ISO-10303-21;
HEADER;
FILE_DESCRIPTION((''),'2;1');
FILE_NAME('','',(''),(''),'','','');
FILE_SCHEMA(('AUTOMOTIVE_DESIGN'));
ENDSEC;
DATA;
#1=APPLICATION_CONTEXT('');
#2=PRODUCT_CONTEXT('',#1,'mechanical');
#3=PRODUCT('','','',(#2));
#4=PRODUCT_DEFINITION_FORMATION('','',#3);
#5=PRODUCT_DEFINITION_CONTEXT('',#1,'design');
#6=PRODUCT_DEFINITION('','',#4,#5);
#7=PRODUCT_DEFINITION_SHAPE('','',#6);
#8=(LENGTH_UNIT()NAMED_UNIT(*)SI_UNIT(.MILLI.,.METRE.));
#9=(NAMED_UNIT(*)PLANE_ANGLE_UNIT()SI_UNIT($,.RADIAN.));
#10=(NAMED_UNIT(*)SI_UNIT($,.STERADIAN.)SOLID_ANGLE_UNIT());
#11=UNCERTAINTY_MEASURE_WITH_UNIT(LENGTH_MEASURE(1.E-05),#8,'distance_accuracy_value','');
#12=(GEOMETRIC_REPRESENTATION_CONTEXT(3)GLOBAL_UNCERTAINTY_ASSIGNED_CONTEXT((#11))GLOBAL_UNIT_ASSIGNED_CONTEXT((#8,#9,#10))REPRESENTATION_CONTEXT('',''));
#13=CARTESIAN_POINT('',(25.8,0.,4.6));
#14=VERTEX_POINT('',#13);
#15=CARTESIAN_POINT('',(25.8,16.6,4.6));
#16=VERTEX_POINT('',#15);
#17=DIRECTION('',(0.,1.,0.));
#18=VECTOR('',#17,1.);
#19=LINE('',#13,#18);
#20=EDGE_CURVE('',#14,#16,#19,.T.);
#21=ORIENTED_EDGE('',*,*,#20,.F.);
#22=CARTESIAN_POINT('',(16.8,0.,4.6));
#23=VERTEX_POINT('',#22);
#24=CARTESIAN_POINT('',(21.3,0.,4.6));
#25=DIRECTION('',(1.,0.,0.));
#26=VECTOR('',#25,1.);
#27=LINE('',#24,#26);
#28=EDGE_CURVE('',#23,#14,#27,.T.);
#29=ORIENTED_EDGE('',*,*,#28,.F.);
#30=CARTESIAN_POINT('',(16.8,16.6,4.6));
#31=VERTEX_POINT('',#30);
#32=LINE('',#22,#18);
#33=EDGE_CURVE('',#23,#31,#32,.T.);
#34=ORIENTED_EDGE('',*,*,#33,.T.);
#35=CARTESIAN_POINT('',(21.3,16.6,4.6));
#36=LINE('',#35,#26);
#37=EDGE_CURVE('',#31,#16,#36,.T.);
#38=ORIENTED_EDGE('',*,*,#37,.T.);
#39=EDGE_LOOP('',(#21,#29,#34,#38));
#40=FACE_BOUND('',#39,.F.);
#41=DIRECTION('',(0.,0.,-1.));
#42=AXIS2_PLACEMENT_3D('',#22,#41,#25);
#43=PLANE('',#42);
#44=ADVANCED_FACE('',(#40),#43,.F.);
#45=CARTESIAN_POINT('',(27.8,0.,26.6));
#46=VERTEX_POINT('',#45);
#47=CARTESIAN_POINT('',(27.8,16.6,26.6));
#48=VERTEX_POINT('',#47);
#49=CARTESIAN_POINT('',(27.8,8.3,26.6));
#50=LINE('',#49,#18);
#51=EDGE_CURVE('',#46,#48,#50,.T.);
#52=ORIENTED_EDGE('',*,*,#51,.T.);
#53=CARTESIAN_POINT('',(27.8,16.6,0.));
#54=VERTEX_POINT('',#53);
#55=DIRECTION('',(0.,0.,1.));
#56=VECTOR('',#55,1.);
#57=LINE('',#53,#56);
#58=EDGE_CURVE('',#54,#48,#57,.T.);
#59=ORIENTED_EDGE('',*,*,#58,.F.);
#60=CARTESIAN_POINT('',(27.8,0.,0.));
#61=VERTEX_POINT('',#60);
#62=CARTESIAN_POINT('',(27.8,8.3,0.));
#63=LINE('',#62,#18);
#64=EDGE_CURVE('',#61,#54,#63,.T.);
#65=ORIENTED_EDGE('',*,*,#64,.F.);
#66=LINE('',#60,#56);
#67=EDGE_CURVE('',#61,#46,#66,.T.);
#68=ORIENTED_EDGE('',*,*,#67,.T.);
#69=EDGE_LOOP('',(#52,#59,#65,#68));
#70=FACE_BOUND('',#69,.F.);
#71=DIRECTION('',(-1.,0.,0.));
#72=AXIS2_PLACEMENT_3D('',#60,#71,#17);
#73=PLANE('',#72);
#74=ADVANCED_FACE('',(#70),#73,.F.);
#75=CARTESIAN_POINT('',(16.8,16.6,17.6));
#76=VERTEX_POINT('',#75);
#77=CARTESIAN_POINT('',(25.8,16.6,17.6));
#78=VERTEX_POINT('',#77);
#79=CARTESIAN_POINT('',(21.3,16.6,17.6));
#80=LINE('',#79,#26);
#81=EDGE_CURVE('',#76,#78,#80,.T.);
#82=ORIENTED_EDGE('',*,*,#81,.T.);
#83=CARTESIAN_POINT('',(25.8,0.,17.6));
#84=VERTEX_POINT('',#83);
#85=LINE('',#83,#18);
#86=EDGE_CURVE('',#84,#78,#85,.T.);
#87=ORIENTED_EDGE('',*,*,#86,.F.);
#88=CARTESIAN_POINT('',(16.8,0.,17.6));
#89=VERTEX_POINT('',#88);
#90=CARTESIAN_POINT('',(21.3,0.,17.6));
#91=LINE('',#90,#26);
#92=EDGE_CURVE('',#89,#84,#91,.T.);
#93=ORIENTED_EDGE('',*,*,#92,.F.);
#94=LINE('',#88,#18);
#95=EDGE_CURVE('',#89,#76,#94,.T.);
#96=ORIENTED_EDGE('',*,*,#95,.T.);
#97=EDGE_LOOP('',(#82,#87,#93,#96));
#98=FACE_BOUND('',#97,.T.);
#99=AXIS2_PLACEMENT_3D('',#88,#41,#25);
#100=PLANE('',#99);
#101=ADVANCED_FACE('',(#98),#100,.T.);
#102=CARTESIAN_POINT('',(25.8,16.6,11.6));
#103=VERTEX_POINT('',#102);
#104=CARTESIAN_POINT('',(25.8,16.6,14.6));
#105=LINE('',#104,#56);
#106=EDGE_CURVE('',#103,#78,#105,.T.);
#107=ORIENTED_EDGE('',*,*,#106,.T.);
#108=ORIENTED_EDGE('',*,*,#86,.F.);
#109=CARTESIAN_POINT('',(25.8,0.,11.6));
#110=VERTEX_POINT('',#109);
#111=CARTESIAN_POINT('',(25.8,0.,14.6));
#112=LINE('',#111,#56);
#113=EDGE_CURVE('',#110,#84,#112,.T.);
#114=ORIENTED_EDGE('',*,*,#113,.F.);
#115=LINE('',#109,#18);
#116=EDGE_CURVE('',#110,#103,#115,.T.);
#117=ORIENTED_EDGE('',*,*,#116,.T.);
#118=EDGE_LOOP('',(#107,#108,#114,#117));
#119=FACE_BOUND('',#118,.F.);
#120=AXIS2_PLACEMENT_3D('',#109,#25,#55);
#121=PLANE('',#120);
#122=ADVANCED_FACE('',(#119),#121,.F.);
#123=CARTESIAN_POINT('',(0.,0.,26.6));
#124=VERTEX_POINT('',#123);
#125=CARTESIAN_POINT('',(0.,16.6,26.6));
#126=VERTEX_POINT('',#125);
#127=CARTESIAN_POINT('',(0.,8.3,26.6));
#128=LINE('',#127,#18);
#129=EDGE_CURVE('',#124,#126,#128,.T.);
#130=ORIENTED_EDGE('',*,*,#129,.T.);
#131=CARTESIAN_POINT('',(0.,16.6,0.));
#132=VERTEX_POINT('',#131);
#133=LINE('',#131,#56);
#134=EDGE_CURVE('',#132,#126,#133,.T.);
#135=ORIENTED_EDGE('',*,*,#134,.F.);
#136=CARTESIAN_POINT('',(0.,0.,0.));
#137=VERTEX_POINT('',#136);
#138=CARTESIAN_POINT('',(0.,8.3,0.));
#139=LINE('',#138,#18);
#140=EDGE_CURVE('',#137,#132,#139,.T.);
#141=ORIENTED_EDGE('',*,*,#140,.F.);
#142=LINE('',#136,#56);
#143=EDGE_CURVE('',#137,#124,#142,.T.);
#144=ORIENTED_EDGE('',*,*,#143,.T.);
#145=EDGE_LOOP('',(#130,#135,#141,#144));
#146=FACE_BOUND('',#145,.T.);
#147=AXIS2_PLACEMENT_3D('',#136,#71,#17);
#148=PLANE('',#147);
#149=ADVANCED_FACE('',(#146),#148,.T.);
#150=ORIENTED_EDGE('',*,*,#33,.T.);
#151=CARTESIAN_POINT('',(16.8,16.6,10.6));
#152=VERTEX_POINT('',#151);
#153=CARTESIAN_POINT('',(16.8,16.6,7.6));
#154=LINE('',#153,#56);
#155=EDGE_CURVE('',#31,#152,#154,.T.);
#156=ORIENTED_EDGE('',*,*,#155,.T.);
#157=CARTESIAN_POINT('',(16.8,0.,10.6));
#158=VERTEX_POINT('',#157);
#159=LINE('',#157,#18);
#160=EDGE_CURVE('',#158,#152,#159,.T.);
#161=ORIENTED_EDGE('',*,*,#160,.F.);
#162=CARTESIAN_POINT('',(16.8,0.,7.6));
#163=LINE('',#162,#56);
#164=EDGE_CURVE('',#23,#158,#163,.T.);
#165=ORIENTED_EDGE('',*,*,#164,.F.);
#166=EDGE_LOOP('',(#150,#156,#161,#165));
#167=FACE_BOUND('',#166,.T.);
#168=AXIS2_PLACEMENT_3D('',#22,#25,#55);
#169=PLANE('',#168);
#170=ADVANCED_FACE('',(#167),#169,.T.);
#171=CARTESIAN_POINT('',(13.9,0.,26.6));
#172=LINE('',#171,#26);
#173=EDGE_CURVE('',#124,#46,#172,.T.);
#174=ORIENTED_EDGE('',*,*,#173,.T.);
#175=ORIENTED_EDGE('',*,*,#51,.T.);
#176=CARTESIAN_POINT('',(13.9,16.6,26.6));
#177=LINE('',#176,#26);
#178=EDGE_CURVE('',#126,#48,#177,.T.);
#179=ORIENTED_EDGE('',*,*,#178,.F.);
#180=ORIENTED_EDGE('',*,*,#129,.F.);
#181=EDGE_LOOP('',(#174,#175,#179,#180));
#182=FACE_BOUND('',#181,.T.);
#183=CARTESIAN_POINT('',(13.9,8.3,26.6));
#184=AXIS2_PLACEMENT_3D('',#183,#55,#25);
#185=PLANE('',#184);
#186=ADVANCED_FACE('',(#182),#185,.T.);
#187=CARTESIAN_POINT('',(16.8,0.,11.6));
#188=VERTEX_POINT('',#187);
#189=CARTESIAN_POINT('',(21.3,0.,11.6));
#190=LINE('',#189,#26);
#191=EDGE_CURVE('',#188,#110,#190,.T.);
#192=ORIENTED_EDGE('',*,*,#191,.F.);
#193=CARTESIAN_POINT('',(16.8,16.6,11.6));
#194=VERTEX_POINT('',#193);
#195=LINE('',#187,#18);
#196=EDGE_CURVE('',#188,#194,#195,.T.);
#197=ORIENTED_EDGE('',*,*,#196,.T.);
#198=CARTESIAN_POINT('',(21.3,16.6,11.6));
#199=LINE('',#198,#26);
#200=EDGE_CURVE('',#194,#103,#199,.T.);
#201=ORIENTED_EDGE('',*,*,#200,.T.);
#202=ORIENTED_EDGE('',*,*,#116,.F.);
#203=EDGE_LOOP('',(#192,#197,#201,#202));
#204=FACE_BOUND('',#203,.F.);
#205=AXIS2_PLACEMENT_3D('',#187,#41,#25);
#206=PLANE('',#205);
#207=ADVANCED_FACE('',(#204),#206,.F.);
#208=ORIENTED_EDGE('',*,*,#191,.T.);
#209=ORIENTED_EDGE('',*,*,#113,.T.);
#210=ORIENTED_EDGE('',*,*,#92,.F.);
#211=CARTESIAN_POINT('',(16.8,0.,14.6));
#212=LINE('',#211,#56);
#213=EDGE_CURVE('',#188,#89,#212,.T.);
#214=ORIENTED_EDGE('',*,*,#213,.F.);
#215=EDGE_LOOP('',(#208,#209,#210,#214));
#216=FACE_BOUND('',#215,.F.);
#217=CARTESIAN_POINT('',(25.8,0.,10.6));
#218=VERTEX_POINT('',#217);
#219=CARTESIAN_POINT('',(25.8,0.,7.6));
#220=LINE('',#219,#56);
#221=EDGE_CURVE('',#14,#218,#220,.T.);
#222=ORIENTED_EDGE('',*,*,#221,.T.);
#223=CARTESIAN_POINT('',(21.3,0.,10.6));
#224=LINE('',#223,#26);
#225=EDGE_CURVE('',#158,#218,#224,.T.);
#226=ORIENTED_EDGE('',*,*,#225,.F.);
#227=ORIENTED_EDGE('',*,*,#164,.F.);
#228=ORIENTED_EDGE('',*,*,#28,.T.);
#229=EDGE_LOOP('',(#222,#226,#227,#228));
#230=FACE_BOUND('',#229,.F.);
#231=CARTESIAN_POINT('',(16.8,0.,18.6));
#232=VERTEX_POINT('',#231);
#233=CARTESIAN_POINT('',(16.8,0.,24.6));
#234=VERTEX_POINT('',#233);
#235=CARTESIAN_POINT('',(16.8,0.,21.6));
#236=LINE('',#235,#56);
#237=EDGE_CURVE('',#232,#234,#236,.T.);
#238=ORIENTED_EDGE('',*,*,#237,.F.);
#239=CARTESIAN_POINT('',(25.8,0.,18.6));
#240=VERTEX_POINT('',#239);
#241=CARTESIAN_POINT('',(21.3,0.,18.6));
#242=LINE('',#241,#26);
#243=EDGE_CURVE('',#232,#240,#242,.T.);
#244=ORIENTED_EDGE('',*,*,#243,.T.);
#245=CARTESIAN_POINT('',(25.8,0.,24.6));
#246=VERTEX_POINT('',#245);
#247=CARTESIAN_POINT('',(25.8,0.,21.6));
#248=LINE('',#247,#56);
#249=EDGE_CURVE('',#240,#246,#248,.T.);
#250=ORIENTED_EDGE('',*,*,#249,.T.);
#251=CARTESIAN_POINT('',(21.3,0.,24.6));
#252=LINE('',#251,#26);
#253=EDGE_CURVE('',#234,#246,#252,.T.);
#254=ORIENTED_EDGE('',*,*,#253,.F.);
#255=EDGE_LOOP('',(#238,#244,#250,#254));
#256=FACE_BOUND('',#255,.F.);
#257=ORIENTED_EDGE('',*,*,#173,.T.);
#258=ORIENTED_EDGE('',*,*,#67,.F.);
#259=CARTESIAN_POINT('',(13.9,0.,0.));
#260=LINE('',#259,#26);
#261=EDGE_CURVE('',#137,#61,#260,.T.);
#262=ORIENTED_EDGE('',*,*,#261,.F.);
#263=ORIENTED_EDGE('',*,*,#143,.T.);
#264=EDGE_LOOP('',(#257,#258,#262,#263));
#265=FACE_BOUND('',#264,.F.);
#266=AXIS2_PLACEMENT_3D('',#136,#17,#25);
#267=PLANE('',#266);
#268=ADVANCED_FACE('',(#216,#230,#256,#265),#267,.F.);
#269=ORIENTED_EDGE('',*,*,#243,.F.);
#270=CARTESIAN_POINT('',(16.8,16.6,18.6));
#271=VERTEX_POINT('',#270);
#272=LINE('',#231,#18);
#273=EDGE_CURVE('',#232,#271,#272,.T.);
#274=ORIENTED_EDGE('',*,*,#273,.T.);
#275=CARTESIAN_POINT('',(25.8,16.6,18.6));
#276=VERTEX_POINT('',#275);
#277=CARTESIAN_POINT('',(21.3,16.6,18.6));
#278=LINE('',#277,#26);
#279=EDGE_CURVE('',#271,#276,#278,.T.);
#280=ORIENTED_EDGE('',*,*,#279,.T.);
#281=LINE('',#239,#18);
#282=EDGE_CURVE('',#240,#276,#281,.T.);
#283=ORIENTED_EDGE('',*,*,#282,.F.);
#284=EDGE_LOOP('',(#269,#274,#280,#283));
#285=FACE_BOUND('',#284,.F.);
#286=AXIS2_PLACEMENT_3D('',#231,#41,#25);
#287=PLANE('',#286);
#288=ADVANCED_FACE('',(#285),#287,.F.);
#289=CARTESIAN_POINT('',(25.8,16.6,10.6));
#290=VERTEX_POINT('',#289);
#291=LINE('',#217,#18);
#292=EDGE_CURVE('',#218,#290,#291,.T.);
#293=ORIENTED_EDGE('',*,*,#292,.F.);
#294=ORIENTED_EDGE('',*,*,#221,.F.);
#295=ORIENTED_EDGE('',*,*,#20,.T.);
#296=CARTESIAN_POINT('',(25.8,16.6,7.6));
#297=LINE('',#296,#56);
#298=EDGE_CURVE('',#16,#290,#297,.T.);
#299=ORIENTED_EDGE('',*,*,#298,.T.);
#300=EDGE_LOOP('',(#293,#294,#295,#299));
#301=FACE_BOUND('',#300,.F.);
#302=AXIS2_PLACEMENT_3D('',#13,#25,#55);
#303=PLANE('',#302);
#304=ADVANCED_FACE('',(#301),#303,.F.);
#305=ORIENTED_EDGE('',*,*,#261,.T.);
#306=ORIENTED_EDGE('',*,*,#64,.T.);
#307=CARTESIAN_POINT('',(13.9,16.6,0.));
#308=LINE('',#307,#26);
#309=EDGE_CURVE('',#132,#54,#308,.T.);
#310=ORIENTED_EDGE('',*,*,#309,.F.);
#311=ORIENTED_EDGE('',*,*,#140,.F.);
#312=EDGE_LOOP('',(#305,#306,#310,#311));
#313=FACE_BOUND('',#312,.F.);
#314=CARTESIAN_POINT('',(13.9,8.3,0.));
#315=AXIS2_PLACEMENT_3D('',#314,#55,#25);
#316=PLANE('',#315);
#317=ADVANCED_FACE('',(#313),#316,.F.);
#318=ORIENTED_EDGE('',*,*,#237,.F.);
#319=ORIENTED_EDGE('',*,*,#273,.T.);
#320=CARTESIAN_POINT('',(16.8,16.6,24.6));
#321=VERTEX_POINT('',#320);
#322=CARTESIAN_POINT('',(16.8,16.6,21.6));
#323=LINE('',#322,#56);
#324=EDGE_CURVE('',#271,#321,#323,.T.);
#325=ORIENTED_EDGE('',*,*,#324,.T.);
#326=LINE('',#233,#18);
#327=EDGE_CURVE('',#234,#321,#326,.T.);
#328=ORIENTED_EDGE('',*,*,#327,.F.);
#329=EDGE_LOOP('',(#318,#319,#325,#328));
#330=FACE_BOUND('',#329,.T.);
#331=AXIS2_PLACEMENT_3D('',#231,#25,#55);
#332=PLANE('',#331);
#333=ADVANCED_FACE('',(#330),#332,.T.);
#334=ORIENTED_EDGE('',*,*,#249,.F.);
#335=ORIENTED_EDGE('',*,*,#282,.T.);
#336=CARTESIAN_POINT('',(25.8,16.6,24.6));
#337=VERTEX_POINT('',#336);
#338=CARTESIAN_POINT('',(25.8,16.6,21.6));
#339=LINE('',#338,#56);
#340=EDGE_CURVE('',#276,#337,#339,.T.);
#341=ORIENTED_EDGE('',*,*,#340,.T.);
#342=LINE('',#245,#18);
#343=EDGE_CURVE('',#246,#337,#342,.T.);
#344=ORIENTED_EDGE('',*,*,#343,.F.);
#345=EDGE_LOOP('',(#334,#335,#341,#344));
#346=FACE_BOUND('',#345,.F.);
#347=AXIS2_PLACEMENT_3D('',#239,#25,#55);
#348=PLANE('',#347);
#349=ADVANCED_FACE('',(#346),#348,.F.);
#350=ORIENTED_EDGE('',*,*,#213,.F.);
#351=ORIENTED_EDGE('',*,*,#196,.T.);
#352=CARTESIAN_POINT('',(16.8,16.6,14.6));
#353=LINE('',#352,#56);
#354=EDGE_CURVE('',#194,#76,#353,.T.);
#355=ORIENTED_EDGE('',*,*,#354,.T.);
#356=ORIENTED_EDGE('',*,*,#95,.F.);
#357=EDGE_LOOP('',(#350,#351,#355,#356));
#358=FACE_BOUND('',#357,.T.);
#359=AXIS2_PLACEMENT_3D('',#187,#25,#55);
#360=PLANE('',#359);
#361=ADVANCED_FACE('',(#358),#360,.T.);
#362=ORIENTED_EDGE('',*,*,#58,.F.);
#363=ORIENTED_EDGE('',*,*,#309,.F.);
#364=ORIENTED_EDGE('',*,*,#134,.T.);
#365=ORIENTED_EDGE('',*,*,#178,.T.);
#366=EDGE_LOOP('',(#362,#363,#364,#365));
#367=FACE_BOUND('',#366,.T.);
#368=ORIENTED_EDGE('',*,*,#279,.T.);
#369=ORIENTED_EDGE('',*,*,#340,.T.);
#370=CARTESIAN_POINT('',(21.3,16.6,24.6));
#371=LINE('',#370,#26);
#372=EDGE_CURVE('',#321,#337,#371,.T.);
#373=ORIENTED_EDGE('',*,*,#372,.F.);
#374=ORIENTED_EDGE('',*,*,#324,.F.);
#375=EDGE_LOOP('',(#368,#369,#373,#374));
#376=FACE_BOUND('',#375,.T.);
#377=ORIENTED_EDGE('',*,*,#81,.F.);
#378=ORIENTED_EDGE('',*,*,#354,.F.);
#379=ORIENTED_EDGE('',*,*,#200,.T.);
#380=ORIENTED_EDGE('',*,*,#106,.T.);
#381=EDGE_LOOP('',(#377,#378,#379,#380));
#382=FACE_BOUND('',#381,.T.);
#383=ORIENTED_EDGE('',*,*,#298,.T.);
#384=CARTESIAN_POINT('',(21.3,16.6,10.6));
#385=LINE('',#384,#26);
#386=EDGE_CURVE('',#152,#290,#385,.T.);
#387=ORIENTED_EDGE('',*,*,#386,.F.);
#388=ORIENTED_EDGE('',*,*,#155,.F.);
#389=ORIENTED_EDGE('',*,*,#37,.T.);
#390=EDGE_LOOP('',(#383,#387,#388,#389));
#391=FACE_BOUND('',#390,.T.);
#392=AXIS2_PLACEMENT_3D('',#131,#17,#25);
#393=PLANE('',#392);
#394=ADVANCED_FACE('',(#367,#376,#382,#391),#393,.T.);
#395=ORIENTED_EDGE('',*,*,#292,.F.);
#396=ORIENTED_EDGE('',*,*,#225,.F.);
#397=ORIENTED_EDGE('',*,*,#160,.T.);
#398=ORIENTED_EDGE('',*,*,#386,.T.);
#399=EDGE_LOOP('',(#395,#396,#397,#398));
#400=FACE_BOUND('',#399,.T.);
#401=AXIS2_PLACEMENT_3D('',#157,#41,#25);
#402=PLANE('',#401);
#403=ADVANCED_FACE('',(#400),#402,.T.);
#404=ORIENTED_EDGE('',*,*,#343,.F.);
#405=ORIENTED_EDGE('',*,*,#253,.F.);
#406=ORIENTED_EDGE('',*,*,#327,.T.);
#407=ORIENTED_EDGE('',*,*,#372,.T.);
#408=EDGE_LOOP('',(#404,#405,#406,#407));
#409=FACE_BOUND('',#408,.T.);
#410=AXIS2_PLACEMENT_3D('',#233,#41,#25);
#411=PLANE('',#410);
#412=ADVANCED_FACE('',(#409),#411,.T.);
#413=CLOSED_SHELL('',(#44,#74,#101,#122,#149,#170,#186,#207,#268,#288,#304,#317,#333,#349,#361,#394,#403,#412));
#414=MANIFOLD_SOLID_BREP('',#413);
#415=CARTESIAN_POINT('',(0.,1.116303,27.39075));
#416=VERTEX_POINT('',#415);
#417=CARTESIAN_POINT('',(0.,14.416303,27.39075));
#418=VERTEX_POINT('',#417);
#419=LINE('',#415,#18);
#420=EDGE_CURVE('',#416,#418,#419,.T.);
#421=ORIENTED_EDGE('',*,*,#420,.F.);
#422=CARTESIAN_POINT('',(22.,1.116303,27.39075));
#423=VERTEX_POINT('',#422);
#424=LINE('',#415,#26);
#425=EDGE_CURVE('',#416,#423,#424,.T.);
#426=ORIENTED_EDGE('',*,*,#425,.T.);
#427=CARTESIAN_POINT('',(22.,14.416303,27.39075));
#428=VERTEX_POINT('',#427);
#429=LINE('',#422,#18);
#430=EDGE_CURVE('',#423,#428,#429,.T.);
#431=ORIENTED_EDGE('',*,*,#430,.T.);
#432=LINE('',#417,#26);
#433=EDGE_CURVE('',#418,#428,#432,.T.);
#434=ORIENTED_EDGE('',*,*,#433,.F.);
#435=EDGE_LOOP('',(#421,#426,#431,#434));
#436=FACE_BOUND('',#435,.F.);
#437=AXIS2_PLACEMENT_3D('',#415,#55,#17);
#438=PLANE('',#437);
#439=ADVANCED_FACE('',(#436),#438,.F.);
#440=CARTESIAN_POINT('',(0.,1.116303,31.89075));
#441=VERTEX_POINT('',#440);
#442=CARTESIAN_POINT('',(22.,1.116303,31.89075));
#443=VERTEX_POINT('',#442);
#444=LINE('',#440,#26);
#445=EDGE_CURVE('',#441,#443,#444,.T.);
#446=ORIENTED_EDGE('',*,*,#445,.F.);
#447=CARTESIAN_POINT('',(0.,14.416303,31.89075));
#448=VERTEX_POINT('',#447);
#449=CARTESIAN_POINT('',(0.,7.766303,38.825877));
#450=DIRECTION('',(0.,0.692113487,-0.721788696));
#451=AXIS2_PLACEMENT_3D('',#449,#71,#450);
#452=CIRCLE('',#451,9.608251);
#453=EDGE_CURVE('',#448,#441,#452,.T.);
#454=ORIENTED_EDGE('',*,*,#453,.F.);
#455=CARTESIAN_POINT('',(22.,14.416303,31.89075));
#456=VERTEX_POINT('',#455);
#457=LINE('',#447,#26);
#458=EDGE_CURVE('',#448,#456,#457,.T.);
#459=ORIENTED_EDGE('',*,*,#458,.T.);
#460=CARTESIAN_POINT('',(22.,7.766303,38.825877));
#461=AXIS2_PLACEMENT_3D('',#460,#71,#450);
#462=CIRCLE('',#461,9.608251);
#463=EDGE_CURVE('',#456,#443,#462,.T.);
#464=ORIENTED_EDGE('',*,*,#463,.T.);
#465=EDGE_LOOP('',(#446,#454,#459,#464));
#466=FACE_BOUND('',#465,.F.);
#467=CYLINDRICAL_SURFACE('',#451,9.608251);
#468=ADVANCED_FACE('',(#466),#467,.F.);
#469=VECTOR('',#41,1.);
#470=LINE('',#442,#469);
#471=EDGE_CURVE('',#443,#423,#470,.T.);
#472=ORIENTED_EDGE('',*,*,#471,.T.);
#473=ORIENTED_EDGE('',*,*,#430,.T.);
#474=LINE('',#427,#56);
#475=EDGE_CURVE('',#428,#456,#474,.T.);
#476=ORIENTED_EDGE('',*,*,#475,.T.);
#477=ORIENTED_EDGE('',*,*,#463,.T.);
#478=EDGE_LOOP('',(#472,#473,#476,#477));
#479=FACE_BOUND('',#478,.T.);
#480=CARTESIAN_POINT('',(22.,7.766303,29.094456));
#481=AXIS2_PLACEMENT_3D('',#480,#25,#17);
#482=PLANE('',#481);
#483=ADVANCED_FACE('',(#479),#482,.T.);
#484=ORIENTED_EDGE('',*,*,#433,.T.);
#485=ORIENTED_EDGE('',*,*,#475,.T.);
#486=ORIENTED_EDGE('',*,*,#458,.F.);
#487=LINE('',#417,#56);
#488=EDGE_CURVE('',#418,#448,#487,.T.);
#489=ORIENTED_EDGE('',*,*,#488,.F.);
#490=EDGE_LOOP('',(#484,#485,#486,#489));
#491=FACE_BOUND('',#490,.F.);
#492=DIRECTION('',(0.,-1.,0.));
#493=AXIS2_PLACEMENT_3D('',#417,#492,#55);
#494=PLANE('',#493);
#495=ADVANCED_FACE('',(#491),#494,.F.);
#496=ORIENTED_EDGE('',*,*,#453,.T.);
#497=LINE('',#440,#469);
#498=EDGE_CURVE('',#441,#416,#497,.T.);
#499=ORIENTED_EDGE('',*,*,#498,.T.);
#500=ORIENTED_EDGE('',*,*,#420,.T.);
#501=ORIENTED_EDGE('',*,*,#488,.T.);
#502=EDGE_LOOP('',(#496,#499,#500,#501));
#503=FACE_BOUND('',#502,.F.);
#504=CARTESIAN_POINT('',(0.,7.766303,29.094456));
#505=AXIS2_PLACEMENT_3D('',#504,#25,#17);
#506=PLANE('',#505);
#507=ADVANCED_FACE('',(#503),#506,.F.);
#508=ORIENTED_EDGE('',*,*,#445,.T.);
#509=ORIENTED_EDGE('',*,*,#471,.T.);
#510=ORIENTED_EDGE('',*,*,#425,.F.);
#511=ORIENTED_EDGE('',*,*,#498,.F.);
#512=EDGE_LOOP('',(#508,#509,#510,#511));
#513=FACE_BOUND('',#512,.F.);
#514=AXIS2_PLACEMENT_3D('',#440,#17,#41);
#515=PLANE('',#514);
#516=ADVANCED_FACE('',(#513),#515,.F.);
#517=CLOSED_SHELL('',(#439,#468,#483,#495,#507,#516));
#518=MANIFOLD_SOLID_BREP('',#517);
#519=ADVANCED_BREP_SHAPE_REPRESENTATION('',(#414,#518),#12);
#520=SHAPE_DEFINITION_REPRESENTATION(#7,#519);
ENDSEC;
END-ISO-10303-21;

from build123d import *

# Parameters (mm, degrees)
F0_W     = 27.8
F0_H     = 16.6
F1_DEPTH = 26.6
F2_W     = 9
F2_H     = 6
F3_DEPTH = 16.6
F5_DEPTH = 22


with BuildPart() as f1:
    # F0 (on Top) → F1 (new body)
    with BuildSketch(Plane.XY):
        with Locations((13.9, 8.3)):
            Rectangle(F0_W, F0_H)
    extrude(amount=F1_DEPTH)

    # F2 (on face) → F3 (cut)
    with BuildSketch(Plane.XZ):
        with Locations((21.3, 21.6)):
            Rectangle(F2_W, F2_H)
        with Locations((21.3, 14.6)):
            Rectangle(F2_W, F2_H)
        with Locations((21.3, 7.6)):
            Rectangle(F2_W, F2_H)
    extrude(amount=-F3_DEPTH, mode=Mode.SUBTRACT)


with BuildPart() as f5:
    # F4 (on Right) → F5 (new body)
    with BuildSketch(Plane.YZ):
        with BuildLine():
            Line((1.116303, 27.39075), (14.416303, 27.39075))
            Line((14.416303, 27.39075), (14.416303, 31.89075))
            ThreePointArc((14.416303, 31.89075), (7.766303, 29.217626), (1.116303, 31.89075))
            Line((1.116303, 31.89075), (1.116303, 27.39075))
        make_face()
    extrude(amount=F5_DEPTH)


solid = Compound([f1.part, f5.part])
